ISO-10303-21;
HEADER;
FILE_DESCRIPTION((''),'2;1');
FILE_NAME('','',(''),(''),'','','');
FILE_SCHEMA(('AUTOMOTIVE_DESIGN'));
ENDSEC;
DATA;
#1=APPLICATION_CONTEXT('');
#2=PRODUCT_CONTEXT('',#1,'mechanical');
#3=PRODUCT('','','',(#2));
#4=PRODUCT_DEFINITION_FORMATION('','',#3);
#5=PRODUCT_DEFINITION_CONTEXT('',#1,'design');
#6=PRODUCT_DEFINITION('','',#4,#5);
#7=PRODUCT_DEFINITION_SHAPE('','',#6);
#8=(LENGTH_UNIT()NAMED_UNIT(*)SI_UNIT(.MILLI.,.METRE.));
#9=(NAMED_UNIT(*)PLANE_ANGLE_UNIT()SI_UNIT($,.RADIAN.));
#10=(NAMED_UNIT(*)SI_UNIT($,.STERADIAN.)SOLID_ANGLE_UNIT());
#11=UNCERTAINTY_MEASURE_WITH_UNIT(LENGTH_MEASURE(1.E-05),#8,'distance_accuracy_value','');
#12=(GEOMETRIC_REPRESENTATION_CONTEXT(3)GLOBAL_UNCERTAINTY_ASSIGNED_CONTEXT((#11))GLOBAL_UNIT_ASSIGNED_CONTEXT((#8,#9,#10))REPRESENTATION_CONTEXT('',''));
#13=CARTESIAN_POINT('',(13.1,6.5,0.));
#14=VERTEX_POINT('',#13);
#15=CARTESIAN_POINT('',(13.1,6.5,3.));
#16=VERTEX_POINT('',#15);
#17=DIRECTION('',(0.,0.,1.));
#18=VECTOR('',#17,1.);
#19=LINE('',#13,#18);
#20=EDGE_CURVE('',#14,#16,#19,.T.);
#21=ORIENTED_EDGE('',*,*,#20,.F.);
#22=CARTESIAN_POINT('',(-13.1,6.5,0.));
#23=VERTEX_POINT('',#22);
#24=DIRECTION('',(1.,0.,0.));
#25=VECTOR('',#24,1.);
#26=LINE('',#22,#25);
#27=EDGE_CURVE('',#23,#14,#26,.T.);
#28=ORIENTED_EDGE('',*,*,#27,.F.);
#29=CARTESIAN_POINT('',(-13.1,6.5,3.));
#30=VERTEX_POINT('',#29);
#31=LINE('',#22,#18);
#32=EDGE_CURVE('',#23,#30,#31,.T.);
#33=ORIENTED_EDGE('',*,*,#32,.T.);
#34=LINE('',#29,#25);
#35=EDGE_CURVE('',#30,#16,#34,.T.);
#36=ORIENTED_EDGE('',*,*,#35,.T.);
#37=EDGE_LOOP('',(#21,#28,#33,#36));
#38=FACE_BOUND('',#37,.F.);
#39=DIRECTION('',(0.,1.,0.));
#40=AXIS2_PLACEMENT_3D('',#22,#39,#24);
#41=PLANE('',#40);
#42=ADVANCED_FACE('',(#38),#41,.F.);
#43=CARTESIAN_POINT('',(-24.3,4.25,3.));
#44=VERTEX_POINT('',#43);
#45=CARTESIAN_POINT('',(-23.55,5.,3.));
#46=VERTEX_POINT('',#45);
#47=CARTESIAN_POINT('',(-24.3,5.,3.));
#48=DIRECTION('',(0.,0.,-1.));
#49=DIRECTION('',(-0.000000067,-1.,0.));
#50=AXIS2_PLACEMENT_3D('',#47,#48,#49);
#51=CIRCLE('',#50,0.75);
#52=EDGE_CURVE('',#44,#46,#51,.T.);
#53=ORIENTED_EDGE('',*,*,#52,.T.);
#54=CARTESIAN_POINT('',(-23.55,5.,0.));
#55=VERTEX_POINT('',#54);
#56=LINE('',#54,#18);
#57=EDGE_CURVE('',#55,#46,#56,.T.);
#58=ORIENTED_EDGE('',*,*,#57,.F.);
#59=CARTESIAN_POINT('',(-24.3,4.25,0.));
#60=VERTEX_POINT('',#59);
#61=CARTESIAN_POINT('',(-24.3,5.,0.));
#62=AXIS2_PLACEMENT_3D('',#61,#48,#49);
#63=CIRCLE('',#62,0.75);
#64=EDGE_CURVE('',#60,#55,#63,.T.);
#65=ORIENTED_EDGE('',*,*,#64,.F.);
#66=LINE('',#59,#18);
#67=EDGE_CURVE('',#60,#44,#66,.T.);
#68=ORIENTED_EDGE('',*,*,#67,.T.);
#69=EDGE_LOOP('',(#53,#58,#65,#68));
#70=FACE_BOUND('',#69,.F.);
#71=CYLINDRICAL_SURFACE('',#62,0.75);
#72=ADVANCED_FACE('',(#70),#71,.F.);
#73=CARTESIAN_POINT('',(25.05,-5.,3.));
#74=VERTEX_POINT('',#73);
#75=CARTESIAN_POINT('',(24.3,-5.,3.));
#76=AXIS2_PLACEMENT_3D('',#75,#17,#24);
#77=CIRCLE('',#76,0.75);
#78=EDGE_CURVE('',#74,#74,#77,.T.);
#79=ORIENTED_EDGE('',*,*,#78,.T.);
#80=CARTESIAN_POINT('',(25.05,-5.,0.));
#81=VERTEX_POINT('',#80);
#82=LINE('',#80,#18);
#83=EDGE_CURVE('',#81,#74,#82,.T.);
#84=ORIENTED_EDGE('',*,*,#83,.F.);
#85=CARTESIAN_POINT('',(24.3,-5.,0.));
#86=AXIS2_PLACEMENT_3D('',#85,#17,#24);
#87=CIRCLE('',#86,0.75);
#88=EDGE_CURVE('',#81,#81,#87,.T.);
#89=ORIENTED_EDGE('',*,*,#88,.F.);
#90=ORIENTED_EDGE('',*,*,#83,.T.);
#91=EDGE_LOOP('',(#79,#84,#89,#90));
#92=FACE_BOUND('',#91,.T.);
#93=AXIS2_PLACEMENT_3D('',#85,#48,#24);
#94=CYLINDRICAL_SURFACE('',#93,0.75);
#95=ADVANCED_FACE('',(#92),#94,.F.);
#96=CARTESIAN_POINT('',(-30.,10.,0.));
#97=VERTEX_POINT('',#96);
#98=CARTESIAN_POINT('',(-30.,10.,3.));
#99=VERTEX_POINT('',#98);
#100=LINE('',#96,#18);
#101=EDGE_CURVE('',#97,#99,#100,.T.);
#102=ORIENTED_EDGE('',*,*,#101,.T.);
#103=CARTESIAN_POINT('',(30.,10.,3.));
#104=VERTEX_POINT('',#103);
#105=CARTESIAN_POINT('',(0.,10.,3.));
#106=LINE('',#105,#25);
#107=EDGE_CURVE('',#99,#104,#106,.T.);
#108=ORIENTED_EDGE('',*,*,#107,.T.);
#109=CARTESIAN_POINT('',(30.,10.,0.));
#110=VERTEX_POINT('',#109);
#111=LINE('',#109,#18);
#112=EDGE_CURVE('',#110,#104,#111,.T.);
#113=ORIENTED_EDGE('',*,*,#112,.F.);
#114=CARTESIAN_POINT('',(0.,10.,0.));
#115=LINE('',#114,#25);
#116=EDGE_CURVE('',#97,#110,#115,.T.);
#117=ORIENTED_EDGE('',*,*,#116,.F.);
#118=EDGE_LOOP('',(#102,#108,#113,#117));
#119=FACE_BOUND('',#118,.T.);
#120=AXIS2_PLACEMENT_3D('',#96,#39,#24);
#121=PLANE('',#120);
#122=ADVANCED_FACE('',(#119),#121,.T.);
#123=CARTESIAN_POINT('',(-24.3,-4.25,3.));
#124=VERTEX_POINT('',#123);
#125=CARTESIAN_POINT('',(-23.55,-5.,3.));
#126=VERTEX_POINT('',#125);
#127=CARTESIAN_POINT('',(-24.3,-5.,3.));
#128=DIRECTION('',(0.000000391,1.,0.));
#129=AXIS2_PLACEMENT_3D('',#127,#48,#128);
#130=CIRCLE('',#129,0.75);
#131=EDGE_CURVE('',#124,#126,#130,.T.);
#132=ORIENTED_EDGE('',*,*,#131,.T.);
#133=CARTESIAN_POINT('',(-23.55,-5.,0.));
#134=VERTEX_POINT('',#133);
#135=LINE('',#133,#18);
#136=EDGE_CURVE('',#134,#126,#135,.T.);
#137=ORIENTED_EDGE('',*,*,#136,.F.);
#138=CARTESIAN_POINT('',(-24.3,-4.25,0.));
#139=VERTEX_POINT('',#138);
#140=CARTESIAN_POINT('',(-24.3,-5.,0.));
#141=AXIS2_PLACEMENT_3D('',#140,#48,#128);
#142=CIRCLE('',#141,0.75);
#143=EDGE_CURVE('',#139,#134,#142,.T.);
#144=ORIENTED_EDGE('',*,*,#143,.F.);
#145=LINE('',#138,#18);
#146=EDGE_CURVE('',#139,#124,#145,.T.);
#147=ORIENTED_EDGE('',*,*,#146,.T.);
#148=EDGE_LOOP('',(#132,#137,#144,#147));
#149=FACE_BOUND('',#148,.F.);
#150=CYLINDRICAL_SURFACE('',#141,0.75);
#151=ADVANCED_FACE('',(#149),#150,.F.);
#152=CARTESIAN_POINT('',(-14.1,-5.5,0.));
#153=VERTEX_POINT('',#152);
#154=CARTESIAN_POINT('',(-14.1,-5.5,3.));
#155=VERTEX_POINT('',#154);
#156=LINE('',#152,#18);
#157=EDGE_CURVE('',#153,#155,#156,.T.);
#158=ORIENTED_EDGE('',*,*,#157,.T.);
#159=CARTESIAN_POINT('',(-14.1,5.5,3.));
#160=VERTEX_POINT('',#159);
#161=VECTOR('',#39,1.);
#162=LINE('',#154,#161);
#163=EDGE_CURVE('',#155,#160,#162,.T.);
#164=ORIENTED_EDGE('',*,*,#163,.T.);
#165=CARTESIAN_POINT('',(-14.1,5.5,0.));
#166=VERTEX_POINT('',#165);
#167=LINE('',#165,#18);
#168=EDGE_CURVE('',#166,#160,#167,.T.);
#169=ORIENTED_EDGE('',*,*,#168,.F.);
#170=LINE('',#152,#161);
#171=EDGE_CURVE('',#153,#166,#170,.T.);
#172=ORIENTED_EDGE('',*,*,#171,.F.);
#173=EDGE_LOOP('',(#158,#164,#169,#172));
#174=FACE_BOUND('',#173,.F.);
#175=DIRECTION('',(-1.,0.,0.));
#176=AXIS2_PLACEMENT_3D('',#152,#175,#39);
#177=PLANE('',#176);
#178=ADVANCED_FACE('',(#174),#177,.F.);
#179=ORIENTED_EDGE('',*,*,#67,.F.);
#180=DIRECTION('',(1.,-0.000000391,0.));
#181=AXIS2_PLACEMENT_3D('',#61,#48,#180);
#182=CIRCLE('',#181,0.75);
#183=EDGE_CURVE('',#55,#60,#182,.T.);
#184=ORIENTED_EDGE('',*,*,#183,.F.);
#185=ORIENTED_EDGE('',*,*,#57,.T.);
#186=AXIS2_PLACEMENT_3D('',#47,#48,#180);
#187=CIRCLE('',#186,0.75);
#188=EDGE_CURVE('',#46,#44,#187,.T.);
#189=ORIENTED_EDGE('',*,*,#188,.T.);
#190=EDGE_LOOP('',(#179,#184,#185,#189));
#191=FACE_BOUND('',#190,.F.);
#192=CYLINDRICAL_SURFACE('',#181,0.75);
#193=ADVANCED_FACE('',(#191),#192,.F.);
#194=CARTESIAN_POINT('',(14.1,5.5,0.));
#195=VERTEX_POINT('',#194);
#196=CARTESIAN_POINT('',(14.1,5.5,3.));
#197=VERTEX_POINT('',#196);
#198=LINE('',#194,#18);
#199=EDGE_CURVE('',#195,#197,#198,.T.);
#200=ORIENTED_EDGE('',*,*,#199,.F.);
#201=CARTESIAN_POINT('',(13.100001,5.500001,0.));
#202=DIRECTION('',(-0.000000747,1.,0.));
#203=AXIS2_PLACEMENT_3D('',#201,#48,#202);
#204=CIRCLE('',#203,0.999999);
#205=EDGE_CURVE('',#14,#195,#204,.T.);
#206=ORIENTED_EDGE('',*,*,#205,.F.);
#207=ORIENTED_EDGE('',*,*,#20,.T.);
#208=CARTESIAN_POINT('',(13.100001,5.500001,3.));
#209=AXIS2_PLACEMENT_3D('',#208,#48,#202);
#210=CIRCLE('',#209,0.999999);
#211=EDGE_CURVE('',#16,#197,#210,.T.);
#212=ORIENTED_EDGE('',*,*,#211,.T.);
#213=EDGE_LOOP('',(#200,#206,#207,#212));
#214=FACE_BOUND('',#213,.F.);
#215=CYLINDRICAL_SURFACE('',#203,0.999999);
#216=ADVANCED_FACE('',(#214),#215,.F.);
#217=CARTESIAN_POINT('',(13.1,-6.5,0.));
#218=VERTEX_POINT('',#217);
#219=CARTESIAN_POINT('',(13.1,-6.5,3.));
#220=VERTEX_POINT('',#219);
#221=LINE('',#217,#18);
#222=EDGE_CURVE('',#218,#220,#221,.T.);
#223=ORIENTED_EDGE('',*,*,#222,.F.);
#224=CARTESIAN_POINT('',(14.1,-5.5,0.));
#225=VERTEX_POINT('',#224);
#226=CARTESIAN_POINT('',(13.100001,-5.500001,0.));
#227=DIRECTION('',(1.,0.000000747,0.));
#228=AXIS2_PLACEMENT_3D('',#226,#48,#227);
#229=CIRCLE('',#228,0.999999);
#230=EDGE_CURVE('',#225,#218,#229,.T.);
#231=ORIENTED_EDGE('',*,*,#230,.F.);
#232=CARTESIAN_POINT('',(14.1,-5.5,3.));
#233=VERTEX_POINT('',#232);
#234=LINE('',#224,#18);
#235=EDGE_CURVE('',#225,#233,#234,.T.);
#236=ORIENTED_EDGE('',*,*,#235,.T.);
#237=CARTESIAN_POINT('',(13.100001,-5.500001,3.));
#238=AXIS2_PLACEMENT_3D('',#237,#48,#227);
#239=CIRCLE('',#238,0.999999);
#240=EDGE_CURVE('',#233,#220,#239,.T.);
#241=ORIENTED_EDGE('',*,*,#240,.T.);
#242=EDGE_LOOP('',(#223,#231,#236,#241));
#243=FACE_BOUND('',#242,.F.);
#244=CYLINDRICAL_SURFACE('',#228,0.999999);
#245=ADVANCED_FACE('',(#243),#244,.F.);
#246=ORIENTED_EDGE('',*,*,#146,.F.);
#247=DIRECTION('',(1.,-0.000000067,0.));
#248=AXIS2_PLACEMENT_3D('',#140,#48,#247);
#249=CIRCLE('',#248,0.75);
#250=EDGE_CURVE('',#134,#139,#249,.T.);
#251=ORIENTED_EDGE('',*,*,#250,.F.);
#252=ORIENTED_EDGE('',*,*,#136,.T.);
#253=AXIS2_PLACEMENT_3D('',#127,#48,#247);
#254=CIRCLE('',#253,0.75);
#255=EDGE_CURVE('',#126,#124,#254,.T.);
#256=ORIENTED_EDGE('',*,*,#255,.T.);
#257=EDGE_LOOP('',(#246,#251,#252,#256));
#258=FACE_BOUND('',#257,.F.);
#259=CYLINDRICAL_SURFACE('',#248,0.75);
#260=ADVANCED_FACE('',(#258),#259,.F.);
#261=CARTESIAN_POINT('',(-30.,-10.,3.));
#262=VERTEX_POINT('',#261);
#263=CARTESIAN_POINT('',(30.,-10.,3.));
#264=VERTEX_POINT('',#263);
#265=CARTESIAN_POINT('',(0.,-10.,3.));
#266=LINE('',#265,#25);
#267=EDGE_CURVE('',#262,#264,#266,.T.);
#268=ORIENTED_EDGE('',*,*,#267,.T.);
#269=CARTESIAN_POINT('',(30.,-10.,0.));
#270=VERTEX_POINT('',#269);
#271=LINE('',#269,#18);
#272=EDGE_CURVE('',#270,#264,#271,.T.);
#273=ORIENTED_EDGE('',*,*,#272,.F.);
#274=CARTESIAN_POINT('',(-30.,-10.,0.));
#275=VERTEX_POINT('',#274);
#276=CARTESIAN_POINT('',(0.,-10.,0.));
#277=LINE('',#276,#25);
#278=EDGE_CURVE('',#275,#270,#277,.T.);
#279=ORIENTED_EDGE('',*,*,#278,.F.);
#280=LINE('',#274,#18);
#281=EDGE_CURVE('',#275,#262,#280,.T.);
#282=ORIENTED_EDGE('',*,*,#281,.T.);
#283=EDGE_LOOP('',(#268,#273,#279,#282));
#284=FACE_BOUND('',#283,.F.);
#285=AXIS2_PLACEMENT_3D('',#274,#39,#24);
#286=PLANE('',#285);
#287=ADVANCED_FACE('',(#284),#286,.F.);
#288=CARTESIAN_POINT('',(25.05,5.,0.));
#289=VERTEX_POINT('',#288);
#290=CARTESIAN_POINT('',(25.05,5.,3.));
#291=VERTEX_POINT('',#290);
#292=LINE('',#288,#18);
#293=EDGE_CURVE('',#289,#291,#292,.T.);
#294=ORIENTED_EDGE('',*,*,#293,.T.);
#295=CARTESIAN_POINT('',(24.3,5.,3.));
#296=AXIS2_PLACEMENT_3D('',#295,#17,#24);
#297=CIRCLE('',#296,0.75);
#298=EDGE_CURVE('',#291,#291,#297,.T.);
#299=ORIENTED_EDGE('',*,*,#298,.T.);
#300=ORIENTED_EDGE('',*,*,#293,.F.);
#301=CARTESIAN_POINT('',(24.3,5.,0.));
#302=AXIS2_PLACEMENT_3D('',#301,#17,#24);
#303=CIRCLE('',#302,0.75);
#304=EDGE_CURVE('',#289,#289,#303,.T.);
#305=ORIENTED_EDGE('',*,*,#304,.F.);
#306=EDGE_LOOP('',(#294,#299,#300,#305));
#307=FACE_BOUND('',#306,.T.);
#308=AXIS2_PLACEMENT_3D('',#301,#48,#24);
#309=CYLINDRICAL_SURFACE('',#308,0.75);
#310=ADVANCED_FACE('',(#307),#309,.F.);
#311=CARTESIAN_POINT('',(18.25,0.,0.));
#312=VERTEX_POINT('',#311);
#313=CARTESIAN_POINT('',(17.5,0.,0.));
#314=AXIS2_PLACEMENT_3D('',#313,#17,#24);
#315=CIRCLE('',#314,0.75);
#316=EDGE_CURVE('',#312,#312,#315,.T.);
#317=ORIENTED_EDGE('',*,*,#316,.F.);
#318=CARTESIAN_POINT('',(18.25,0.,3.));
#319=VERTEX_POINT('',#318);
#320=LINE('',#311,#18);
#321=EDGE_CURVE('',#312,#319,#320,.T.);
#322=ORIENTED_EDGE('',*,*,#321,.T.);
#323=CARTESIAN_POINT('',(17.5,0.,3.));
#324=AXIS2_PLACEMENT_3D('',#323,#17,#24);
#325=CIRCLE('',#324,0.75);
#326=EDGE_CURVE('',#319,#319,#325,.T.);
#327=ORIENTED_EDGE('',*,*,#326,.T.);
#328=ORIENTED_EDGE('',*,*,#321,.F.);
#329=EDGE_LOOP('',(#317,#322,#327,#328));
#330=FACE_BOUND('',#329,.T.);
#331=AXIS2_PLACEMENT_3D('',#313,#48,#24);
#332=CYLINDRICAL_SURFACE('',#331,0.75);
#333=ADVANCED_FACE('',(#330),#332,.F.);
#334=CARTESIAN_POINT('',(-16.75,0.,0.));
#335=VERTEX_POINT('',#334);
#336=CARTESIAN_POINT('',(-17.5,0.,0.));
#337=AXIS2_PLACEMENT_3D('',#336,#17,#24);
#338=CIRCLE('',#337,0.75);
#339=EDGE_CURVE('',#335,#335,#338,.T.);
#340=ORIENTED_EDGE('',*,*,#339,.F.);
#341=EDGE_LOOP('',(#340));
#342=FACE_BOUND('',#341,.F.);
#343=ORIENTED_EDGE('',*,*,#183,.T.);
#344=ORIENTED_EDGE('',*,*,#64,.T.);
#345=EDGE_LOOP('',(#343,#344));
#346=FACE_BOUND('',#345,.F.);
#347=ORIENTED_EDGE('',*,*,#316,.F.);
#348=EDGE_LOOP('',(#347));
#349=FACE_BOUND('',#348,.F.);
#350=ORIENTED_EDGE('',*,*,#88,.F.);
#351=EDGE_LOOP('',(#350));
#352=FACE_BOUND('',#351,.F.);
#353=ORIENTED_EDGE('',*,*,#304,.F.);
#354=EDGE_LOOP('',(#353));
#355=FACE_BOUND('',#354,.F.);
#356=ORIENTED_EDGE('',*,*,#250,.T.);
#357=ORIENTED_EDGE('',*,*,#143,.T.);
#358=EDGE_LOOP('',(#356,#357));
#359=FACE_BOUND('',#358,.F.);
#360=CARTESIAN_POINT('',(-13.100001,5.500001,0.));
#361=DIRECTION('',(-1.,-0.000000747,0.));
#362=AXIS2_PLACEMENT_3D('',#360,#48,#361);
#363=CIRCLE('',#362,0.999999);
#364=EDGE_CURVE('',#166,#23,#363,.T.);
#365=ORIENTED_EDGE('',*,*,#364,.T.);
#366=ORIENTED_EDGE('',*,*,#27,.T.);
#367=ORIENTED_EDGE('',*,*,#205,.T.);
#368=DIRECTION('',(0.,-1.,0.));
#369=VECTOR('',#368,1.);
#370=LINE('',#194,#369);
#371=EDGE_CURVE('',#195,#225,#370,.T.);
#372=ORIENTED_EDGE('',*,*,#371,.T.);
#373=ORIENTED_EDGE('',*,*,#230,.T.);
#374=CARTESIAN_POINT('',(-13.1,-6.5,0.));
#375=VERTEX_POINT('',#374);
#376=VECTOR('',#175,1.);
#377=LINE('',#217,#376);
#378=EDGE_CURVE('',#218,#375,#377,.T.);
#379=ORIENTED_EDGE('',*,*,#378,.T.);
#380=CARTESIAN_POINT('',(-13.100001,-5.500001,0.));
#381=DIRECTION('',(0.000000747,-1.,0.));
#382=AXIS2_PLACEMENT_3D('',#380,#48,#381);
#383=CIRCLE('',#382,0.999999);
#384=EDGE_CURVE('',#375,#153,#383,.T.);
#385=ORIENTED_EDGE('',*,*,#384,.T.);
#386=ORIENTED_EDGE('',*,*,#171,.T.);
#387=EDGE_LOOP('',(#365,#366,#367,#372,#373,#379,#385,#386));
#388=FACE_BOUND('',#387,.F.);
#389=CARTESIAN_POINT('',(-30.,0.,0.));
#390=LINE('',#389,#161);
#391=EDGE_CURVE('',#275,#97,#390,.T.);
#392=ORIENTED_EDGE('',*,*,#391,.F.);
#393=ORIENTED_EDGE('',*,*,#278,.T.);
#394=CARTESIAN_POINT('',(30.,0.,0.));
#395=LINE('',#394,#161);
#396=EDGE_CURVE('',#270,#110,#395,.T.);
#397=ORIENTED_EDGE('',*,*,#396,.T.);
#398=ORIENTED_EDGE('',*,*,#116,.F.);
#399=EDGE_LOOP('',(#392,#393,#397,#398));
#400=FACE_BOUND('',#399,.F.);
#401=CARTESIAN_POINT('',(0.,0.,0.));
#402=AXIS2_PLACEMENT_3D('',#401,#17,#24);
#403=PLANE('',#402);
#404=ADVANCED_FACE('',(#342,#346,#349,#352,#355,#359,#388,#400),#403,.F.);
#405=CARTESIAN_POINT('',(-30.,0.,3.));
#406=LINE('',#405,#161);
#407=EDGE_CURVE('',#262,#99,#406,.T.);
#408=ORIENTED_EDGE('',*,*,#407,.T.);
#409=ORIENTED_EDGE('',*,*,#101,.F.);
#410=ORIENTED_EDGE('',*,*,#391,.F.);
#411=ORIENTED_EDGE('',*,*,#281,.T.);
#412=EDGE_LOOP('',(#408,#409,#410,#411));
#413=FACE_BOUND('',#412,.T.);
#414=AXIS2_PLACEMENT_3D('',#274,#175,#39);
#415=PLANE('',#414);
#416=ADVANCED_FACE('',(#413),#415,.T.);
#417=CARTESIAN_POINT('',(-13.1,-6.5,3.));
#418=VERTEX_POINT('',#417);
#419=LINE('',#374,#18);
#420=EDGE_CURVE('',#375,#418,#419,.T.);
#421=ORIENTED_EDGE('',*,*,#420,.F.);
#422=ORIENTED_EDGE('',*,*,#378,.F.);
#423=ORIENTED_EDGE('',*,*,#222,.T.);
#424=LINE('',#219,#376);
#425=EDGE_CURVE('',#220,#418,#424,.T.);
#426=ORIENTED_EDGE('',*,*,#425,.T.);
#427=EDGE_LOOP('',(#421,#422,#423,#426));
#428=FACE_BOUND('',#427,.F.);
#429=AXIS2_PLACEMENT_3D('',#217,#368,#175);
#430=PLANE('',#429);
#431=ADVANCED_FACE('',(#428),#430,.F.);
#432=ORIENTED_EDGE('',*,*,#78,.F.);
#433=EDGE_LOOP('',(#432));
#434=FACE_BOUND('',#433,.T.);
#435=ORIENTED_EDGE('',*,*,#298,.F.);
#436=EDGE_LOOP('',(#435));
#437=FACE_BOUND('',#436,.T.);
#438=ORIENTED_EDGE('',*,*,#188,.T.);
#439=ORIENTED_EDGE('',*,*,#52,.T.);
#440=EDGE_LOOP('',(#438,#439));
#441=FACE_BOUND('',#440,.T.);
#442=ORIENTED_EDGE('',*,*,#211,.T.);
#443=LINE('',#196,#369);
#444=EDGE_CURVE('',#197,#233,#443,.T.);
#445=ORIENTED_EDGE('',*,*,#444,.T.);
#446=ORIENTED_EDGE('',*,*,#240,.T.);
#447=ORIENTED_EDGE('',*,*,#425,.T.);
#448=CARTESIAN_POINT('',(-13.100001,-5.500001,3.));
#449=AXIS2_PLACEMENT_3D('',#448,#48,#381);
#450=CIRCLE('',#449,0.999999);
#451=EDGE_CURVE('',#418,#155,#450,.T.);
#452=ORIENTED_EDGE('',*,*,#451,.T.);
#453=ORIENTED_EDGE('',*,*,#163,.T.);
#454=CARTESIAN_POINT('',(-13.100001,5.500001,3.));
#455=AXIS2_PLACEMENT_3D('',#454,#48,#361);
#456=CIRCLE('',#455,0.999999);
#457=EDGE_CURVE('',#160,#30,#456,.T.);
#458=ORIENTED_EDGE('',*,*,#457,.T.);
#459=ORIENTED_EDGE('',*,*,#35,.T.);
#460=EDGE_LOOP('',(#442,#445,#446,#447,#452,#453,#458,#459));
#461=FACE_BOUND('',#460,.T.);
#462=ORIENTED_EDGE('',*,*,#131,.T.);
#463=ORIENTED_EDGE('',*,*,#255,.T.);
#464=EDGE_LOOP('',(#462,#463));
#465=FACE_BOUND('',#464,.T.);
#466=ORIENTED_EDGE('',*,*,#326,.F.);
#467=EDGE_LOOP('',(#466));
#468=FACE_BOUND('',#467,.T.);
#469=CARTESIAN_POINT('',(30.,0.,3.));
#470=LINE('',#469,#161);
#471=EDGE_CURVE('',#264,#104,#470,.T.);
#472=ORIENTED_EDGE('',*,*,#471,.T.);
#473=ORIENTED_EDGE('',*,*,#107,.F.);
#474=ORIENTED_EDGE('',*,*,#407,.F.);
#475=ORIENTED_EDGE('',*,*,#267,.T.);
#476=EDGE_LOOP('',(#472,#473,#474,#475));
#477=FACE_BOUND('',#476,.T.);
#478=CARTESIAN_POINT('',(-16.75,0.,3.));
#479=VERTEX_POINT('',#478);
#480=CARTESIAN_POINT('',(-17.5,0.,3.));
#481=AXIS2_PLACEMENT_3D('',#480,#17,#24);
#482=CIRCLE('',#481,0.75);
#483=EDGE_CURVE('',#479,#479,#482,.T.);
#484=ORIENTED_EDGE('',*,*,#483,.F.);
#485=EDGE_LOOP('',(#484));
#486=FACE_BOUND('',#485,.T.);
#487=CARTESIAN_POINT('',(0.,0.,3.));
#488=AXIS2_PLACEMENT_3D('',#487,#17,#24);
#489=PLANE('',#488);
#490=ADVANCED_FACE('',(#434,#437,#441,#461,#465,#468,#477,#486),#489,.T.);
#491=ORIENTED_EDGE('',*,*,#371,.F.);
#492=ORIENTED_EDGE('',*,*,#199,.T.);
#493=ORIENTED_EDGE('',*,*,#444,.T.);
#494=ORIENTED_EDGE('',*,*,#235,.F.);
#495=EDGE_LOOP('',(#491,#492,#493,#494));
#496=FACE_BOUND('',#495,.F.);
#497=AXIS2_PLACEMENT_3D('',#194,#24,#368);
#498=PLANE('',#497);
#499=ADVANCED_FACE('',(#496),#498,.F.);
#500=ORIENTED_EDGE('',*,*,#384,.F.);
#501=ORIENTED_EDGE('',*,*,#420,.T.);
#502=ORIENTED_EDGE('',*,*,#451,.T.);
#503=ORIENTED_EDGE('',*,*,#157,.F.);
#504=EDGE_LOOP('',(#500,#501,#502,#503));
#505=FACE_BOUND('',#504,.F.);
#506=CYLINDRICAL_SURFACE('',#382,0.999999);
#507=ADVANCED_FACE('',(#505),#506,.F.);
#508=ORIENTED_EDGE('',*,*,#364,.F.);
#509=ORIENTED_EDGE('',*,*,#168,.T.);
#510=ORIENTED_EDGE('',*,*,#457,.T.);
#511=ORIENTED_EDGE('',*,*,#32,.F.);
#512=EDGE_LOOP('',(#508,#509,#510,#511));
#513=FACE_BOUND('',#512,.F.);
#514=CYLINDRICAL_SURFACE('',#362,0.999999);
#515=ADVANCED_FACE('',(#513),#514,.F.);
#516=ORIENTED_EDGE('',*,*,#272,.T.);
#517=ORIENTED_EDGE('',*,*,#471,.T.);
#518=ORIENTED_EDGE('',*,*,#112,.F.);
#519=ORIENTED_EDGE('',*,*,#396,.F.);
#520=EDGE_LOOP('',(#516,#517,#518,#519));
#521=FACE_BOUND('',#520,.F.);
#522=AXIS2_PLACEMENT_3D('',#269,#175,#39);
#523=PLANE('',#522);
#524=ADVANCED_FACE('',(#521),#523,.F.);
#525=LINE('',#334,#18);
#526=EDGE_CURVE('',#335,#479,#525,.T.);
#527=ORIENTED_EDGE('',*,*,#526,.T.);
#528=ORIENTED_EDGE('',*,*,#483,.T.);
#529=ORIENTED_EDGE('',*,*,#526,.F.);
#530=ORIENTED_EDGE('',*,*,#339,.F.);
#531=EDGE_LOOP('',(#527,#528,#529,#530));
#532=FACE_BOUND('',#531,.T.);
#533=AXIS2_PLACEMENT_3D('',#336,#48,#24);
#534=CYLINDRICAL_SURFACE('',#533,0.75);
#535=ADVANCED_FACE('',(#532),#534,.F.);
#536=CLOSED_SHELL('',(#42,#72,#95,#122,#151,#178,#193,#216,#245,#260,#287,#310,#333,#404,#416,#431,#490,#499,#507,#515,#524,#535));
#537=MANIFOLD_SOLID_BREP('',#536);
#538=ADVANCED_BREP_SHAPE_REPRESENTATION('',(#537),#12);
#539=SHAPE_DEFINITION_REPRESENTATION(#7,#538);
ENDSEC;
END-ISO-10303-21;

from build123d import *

# Parameters (mm, degrees)
F0_W     = 60
F0_H     = 20
F0_R     = 0.75
F1_DEPTH = 3


with BuildPart() as f1:
    # F0 (on Top) → F1 (new body)
    with BuildSketch(Plane.XY):
        Rectangle(F0_W, F0_H)
        with BuildLine():
            ThreePointArc((-23.55, -5), (-24.83033, -5.53033), (-24.3, -4.25))
            ThreePointArc((-24.3, -4.25), (-23.76967, -4.46967), (-23.55, -5))
        make_face(mode=Mode.SUBTRACT)
        with Locations((24.3, -5)):
            Circle(F0_R, mode=Mode.SUBTRACT)
        with Locations((-17.5, 0)):
            Circle(F0_R, mode=Mode.SUBTRACT)
        with BuildLine():
            ThreePointArc((-23.55, 5), (-23.76967, 4.46967), (-24.3, 4.25))
            ThreePointArc((-24.3, 4.25), (-24.83033, 5.53033), (-23.55, 5))
        make_face(mode=Mode.SUBTRACT)
        with BuildLine():
            ThreePointArc((-14.1, 5.5), (-13.807107, 6.207107), (-13.1, 6.5))
            Line((-13.1, 6.5), (13.1, 6.5))
            ThreePointArc((13.1, 6.5), (13.807107, 6.207107), (14.1, 5.5))
            Line((14.1, 5.5), (14.1, -5.5))
            ThreePointArc((14.1, -5.5), (13.807107, -6.207107), (13.1, -6.5))
            Line((13.1, -6.5), (-13.1, -6.5))
            ThreePointArc((-13.1, -6.5), (-13.807107, -6.207107), (-14.1, -5.5))
            Line((-14.1, -5.5), (-14.1, 5.5))
        make_face(mode=Mode.SUBTRACT)
        with Locations((17.5, 0)):
            Circle(F0_R, mode=Mode.SUBTRACT)
        with Locations((24.3, 5)):
            Circle(F0_R, mode=Mode.SUBTRACT)
    extrude(amount=F1_DEPTH)


solid = f1.part
